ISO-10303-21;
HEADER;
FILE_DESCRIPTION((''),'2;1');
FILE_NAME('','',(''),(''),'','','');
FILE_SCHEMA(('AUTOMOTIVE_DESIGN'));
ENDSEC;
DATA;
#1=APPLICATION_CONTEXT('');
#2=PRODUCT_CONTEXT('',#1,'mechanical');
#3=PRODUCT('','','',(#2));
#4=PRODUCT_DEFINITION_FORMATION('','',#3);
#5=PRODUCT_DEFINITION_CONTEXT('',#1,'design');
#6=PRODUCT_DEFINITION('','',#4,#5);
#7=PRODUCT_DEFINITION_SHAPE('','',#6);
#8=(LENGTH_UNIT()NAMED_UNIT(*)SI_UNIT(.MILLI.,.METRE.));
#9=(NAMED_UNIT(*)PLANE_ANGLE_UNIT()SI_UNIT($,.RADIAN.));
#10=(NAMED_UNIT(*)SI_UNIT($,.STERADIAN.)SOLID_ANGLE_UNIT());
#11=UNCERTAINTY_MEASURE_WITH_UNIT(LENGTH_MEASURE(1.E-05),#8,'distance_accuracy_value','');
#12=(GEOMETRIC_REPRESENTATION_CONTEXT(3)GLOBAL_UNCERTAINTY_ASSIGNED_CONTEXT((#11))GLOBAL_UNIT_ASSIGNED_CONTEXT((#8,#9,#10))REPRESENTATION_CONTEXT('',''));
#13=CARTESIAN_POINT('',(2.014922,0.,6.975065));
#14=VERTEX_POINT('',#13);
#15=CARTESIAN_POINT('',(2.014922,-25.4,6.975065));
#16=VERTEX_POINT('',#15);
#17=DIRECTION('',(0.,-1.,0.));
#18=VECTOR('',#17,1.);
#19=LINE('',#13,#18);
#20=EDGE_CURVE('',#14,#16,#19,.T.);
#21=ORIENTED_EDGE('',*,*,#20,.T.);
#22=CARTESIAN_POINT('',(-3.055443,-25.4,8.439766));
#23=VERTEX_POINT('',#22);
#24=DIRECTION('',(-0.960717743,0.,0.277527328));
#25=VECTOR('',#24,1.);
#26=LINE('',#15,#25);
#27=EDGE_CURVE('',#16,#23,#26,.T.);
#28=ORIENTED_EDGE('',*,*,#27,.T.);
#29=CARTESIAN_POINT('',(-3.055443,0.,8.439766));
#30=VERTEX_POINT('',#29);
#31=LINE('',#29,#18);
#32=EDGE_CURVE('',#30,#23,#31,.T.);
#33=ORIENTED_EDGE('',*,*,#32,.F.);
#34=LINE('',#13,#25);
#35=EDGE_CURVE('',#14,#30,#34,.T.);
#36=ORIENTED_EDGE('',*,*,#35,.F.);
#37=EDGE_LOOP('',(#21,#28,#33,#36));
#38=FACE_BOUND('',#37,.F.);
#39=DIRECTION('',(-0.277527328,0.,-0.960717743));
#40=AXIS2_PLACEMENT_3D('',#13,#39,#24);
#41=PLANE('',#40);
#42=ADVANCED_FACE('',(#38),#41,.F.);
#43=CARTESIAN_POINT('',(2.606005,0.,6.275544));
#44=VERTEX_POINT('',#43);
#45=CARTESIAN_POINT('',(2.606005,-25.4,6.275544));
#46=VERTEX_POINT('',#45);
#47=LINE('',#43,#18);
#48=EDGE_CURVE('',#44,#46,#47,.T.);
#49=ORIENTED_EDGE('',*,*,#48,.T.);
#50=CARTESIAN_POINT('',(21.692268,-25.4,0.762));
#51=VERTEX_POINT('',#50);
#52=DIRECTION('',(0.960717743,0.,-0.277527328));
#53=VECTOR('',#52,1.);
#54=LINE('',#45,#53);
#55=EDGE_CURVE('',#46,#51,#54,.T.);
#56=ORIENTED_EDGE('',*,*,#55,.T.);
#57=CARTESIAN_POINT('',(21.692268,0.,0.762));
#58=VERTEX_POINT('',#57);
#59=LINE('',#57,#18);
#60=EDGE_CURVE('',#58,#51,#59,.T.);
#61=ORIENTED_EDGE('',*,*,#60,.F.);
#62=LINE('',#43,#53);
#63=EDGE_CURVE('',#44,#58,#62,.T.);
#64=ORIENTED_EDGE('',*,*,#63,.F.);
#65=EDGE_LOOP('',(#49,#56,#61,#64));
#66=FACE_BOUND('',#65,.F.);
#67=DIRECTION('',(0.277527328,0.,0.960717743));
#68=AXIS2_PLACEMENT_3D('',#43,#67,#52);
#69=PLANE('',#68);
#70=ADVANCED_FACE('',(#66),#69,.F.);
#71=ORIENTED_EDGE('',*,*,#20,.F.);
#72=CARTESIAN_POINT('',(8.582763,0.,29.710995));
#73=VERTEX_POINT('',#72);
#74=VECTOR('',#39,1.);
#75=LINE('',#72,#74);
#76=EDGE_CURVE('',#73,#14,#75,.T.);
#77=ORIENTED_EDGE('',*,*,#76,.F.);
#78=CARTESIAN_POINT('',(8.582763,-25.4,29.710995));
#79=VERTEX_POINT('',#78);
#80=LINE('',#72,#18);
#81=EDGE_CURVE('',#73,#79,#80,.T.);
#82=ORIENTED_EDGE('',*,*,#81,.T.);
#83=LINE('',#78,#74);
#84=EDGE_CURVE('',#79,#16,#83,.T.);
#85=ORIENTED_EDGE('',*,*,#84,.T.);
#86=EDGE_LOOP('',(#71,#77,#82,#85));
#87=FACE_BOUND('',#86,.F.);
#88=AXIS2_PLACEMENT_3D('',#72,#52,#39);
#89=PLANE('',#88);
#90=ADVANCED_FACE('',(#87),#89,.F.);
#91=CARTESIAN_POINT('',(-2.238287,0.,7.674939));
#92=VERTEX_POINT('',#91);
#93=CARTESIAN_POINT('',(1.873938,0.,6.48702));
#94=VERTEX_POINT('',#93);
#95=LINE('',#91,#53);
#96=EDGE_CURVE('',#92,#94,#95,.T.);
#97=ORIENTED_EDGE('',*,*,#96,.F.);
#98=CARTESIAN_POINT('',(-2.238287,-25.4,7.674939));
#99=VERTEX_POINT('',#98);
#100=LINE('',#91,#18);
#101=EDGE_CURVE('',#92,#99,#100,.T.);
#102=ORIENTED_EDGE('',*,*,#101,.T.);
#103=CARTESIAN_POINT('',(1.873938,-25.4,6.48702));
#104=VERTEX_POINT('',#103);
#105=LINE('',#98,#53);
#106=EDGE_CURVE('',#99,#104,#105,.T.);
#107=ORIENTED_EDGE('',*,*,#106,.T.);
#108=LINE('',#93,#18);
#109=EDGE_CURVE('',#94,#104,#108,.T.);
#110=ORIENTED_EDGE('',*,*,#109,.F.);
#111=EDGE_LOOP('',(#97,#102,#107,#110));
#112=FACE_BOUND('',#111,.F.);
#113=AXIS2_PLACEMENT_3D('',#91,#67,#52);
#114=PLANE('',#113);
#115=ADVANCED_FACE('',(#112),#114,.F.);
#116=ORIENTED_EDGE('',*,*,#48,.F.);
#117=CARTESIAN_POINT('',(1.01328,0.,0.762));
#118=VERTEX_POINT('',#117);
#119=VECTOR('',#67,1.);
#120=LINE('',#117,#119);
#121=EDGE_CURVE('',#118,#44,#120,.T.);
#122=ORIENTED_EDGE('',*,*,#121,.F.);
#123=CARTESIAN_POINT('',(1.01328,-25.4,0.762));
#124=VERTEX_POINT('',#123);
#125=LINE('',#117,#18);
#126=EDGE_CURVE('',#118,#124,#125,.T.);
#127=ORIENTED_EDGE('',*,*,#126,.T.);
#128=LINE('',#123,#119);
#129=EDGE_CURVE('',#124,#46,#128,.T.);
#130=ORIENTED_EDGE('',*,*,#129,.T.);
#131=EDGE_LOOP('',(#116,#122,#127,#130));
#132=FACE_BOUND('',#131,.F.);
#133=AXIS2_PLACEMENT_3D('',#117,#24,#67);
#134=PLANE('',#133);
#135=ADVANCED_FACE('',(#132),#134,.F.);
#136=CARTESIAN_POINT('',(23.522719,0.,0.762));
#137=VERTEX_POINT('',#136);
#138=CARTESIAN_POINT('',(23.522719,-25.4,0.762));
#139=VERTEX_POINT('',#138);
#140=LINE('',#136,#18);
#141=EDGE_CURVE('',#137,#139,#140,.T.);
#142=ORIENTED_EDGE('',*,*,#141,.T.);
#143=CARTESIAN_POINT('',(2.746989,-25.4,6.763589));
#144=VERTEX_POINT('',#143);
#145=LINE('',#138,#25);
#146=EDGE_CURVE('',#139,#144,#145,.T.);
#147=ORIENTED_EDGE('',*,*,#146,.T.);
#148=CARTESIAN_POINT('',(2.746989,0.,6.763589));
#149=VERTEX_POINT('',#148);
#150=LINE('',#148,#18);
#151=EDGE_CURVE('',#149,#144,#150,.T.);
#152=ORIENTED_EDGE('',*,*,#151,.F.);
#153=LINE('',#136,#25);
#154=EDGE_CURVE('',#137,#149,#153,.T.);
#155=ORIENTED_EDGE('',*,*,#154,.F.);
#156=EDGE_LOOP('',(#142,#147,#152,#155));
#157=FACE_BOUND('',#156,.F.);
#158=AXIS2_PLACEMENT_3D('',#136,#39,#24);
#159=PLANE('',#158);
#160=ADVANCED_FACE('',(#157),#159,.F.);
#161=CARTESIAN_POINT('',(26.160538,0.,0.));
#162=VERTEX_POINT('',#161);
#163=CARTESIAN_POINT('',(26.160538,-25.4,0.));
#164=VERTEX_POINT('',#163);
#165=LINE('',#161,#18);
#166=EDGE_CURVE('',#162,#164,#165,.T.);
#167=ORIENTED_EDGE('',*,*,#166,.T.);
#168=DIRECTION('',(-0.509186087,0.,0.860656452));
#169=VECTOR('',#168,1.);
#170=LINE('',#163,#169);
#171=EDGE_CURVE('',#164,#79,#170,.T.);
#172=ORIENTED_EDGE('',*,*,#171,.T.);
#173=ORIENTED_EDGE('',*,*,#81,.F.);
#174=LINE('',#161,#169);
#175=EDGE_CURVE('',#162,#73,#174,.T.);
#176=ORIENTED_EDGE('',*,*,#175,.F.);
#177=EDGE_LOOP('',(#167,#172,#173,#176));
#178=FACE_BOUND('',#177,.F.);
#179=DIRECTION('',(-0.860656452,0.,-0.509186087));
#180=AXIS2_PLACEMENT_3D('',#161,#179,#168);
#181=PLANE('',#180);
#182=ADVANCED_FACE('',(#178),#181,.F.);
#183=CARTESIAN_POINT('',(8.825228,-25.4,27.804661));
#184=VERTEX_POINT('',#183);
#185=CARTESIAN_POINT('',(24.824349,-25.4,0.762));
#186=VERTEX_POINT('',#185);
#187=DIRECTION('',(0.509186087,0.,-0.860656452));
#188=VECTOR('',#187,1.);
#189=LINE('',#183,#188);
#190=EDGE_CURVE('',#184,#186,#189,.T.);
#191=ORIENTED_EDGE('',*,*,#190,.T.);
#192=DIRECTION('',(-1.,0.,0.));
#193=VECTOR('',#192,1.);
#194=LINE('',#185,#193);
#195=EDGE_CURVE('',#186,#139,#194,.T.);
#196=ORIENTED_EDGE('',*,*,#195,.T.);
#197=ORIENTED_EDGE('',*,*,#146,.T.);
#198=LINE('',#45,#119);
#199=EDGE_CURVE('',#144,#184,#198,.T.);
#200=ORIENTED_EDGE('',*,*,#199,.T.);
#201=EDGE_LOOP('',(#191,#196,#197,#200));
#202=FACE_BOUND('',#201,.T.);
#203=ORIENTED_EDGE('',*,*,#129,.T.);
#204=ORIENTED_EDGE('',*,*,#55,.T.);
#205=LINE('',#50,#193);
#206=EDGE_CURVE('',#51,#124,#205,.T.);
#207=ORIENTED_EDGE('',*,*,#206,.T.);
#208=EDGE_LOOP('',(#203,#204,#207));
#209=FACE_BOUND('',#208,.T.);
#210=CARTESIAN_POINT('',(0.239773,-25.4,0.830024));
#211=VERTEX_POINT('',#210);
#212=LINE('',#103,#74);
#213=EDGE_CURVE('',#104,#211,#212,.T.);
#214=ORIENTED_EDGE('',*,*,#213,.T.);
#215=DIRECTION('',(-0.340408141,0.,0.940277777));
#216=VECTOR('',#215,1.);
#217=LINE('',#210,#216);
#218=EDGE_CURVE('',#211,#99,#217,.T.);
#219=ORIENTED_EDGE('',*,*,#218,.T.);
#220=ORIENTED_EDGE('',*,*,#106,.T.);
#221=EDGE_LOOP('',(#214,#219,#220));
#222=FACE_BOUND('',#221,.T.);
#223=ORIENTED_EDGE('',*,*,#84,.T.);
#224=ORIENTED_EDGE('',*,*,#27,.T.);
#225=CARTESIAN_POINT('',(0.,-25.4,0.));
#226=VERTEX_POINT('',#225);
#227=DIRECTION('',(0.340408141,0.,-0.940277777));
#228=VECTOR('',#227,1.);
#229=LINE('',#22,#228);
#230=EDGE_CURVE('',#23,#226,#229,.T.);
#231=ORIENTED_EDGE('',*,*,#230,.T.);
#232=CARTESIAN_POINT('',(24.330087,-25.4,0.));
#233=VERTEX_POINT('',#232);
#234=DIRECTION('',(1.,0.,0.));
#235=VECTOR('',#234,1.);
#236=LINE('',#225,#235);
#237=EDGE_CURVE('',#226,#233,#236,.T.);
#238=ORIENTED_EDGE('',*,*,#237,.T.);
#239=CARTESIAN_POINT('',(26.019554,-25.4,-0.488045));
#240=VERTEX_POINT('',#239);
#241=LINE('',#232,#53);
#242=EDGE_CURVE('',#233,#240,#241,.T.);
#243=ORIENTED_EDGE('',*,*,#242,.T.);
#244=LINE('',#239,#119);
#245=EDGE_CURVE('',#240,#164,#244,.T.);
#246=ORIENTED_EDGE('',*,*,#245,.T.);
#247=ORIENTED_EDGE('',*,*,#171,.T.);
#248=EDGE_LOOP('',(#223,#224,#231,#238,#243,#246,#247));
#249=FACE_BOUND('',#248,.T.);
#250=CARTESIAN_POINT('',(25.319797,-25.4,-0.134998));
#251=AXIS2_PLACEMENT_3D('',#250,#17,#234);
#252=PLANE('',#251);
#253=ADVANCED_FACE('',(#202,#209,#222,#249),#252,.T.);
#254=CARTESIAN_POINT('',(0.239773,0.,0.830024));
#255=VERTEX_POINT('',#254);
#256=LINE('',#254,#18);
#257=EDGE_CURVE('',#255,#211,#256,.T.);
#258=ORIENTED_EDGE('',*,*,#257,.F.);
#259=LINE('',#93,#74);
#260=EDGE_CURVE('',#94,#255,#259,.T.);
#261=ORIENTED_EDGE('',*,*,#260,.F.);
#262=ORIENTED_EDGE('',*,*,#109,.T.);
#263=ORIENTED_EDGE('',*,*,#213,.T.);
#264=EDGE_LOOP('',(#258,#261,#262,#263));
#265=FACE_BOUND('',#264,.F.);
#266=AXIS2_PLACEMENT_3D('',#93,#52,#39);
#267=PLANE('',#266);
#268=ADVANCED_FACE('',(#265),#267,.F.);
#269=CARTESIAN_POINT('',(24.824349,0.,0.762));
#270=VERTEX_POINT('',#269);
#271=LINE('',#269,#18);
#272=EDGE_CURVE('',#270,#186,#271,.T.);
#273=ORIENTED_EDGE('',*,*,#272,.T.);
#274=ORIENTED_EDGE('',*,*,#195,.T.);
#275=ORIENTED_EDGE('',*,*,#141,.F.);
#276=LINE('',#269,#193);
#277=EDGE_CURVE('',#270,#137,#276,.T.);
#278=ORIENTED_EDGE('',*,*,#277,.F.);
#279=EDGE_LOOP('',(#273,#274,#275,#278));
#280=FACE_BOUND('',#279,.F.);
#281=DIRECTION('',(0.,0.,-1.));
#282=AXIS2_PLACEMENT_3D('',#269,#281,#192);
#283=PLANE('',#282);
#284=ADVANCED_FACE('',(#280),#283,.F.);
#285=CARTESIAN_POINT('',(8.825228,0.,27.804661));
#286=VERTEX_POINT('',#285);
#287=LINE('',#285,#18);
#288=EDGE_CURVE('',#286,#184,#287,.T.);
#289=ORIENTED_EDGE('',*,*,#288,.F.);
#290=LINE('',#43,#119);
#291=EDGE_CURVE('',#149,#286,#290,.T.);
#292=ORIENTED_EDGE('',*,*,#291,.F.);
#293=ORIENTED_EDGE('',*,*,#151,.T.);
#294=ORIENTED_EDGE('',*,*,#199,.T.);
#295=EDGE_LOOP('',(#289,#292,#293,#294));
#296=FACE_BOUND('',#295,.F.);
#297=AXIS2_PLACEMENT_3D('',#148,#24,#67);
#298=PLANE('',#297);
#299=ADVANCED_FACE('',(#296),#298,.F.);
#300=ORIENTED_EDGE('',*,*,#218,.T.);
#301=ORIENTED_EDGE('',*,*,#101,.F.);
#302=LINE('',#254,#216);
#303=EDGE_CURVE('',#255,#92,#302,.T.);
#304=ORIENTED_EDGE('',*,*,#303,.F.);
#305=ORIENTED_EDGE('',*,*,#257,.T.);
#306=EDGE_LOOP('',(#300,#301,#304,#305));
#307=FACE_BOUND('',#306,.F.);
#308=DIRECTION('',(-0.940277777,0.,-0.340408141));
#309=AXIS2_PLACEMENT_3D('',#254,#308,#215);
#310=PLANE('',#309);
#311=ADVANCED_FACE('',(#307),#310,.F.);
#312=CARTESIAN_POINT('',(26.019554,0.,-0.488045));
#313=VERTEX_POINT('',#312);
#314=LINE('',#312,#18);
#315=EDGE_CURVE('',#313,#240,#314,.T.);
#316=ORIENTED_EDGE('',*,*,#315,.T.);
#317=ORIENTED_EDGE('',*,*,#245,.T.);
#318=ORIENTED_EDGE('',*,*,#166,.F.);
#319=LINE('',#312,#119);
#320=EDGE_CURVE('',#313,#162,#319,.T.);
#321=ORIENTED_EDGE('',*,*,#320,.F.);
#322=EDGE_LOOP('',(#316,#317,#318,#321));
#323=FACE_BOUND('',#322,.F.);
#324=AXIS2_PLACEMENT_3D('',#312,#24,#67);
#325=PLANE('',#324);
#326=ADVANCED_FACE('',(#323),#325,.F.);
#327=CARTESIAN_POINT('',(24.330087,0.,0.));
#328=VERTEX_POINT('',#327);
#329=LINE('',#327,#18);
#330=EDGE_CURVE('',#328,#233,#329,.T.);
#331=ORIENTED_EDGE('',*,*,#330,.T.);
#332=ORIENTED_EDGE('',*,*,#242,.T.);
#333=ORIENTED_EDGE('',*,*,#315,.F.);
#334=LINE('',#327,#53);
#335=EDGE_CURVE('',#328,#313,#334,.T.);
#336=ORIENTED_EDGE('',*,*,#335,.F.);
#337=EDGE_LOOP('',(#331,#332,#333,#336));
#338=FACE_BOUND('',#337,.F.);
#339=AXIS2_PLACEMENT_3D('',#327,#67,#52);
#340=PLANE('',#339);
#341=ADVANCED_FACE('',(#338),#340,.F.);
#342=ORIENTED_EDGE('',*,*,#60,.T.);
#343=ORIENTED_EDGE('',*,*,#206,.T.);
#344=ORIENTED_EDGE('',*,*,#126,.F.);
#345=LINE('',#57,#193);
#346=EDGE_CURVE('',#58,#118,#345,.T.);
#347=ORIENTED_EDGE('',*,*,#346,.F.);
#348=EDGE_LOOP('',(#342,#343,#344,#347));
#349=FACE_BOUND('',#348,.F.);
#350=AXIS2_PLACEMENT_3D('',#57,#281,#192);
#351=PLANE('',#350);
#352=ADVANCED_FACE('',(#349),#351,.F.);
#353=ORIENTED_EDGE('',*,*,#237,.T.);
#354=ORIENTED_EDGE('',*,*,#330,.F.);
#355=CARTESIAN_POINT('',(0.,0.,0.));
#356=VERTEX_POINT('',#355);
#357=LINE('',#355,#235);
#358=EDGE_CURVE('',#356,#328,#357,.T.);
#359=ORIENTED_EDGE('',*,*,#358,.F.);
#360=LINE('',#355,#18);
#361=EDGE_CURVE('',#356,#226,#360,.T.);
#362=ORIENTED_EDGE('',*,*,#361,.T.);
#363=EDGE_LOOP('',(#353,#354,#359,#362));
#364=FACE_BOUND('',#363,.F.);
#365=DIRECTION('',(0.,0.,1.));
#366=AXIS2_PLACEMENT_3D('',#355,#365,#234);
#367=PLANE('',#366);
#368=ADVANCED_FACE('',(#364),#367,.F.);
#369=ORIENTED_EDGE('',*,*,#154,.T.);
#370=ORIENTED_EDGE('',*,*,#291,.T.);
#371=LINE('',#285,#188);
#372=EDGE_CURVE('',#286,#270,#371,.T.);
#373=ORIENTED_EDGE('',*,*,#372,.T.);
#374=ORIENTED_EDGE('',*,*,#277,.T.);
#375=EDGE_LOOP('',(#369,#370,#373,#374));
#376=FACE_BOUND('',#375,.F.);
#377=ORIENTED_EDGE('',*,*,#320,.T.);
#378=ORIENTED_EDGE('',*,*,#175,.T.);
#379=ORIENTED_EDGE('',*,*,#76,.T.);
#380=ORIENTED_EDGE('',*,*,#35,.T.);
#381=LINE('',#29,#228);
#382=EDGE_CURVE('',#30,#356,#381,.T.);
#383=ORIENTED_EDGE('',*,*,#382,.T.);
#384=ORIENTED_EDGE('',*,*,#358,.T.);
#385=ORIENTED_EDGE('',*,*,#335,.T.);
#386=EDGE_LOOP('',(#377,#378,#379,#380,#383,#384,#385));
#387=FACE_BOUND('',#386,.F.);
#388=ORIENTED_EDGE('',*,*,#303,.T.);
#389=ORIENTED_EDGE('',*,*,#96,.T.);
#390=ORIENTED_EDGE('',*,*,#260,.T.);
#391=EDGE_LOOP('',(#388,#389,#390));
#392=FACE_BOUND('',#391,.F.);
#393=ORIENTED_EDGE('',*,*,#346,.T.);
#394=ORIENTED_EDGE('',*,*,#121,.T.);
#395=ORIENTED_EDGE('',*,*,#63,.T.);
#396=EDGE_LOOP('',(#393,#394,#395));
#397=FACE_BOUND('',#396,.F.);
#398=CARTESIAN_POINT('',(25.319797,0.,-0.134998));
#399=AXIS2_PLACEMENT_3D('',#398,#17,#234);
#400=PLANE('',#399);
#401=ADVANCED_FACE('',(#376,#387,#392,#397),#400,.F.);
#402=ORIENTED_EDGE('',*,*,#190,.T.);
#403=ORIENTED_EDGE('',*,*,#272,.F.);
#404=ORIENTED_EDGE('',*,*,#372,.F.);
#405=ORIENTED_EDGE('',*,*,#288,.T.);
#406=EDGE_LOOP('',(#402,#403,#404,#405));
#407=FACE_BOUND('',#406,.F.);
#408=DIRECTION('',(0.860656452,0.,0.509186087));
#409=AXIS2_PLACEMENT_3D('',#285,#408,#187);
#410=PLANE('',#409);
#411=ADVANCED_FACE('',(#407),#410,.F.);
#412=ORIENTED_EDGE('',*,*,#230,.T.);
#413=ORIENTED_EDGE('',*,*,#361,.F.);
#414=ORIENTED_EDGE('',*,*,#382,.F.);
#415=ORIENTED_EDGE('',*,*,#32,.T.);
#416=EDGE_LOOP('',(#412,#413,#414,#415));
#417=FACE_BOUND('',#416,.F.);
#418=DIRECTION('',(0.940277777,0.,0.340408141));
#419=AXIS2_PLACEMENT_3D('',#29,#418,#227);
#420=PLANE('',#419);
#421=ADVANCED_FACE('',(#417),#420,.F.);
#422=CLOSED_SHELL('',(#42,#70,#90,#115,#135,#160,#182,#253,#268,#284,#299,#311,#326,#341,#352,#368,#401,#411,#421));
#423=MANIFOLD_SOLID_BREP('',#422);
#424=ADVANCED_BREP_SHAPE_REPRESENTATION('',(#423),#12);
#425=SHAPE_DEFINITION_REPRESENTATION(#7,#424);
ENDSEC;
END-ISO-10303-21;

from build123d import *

# Parameters (mm, degrees)
F1_DEPTH = 25.4


with BuildPart() as f1:
    # F0 (on Front) → F1 (new body)
    with BuildSketch(Plane.XZ):
        Polygon((26.1605381966, 0), (24.3300873014, 0), (26.0195542736, -0.4880447536), align=None)
        Polygon((0.2397730946, 0.8300237247), (0, 0), (0.4776612476, 0.1729273854), align=None)
        Polygon((23.5227189628, 0.7620000031), (26.1605381966, 0), (8.5827633739, 29.7109950334), (2.01492174, 6.9750646967), (2.7469886633, 6.7635888721), (8.8252281085, 27.8046608555), (24.824349058, 0.7620000031), align=None)
        Polygon((-3.0554429933, 8.4397662551), (0, 0), (0.2397730946, 0.8300237247), (-2.2382869966, 7.6749388424), (1.873937817, 6.4870199432), (2.01492174, 6.9750646967), align=None)
        Polygon((21.6922680676, 0.7620000031), (24.3300873014, 0), (26.1605381966, 0), (23.5227189628, 0.7620000031), align=None)
        Polygon((2.01492174, 6.9750646967), (1.873937817, 6.4870199432), (2.6060047403, 6.2755441185), (2.7469886633, 6.7635888721), align=None)
        Polygon((2.6060047403, 6.2755441185), (21.6922680676, 0.7620000031), (23.5227189628, 0.7620000031), (2.7469886633, 6.7635888721), align=None)
        Polygon((0.4776612476, 0.1729273854), (0, 0), (24.3300873014, 0), (21.6922680676, 0.7620000031), (1.0132797427, 0.7620000031), (2.6060047403, 6.2755441185), (1.873937817, 6.4870199432), (0.2397730946, 0.8300237247), align=None)
    extrude(amount=F1_DEPTH)


solid = f1.part
